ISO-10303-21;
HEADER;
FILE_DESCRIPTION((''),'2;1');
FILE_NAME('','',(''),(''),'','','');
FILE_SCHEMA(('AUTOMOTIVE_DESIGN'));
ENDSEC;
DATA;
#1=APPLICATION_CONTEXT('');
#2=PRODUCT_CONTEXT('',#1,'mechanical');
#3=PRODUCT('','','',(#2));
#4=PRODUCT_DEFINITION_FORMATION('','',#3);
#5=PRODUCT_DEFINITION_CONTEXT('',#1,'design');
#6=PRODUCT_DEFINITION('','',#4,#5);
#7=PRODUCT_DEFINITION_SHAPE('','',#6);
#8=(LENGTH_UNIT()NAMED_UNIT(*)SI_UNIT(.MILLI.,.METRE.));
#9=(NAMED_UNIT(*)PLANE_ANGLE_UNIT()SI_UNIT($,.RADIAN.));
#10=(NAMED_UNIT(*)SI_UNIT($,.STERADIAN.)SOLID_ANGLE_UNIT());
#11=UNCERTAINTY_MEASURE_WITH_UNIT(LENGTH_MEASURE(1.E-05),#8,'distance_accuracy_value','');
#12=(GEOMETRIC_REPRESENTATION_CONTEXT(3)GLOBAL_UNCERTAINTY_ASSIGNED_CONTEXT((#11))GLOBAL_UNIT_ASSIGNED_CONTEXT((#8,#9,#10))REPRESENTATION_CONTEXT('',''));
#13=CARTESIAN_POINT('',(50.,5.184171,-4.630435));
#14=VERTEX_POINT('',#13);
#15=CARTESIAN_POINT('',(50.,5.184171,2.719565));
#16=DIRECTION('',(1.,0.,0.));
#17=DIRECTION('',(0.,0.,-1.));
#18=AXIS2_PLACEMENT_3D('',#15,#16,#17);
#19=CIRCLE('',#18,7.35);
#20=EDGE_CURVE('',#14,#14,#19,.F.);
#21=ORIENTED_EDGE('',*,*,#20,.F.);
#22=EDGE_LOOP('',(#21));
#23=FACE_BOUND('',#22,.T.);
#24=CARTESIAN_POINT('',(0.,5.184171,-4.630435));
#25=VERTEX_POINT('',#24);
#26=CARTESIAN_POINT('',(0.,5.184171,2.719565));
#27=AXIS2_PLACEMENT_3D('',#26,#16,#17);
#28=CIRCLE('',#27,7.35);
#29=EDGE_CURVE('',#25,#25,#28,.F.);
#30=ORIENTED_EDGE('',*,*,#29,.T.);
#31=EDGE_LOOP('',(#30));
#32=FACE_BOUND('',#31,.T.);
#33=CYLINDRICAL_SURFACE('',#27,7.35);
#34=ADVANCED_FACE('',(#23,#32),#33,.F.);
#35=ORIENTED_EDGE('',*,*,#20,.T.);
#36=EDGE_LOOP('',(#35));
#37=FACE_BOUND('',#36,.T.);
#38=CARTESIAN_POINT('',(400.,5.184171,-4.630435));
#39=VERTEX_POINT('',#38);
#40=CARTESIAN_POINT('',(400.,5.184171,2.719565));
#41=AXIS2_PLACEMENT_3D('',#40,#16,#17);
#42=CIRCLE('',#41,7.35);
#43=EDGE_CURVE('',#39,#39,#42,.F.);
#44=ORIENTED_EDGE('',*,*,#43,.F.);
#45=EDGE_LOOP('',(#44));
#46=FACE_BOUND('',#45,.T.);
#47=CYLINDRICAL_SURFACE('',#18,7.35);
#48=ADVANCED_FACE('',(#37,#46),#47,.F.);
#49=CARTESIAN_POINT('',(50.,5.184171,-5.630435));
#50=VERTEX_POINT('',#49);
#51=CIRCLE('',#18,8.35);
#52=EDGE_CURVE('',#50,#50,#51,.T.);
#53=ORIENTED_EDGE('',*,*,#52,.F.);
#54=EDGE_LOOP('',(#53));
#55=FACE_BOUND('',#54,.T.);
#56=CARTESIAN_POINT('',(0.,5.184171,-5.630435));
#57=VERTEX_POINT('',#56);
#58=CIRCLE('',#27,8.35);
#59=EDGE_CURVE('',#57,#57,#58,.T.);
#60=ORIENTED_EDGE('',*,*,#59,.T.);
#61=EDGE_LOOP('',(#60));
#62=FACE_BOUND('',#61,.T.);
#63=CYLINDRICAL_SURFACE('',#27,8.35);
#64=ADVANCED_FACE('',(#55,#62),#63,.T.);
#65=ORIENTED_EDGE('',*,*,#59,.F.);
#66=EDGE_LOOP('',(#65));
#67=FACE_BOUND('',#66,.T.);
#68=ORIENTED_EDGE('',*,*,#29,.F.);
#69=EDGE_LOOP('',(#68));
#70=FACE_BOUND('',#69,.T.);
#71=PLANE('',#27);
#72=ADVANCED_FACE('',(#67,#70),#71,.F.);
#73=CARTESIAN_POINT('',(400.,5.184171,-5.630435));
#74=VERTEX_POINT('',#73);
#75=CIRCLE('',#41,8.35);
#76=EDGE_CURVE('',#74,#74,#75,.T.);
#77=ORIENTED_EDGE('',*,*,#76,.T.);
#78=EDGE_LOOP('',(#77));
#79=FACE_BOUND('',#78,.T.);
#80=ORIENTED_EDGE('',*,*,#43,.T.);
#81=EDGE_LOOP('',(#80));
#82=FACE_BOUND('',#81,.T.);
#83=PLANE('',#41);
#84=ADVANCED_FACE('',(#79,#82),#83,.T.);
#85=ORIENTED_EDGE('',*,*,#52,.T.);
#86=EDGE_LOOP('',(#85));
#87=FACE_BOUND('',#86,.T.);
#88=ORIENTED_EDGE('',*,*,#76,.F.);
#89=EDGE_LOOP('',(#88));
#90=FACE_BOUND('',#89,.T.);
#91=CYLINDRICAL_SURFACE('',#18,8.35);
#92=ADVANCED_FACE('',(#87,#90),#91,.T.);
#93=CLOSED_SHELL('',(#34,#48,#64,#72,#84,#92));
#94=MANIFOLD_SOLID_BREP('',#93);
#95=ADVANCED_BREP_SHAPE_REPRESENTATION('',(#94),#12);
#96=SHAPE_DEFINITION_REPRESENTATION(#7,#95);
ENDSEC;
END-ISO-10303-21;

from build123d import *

# Parameters (mm, degrees)
SKETCH1_R   = 8.35
SKETCH1_R_2 = 7.35


with BuildPart() as part:
    # Sweep1: sweep along a path in Sketch2
    with BuildLine(Plane.XY) as sweep1_path:
        Line((0, 5.184170518), (50, 5.184170518))
        Line((50, 5.184170518), (400, 5.184170518))
    # Sketch1 → Sweep1 (sweep)
    with BuildSketch(Plane(origin=(0, 0, 0), x_dir=(0, 0, -1), z_dir=(1, 0, 0))):
        with Locations((-2.719564862, 5.184170518)):
            Circle(SKETCH1_R)
        with Locations((-2.719564862, 5.184170518)):
            Circle(SKETCH1_R_2, mode=Mode.SUBTRACT)
    sweep(path=sweep1_path.line)


solid = part.part
